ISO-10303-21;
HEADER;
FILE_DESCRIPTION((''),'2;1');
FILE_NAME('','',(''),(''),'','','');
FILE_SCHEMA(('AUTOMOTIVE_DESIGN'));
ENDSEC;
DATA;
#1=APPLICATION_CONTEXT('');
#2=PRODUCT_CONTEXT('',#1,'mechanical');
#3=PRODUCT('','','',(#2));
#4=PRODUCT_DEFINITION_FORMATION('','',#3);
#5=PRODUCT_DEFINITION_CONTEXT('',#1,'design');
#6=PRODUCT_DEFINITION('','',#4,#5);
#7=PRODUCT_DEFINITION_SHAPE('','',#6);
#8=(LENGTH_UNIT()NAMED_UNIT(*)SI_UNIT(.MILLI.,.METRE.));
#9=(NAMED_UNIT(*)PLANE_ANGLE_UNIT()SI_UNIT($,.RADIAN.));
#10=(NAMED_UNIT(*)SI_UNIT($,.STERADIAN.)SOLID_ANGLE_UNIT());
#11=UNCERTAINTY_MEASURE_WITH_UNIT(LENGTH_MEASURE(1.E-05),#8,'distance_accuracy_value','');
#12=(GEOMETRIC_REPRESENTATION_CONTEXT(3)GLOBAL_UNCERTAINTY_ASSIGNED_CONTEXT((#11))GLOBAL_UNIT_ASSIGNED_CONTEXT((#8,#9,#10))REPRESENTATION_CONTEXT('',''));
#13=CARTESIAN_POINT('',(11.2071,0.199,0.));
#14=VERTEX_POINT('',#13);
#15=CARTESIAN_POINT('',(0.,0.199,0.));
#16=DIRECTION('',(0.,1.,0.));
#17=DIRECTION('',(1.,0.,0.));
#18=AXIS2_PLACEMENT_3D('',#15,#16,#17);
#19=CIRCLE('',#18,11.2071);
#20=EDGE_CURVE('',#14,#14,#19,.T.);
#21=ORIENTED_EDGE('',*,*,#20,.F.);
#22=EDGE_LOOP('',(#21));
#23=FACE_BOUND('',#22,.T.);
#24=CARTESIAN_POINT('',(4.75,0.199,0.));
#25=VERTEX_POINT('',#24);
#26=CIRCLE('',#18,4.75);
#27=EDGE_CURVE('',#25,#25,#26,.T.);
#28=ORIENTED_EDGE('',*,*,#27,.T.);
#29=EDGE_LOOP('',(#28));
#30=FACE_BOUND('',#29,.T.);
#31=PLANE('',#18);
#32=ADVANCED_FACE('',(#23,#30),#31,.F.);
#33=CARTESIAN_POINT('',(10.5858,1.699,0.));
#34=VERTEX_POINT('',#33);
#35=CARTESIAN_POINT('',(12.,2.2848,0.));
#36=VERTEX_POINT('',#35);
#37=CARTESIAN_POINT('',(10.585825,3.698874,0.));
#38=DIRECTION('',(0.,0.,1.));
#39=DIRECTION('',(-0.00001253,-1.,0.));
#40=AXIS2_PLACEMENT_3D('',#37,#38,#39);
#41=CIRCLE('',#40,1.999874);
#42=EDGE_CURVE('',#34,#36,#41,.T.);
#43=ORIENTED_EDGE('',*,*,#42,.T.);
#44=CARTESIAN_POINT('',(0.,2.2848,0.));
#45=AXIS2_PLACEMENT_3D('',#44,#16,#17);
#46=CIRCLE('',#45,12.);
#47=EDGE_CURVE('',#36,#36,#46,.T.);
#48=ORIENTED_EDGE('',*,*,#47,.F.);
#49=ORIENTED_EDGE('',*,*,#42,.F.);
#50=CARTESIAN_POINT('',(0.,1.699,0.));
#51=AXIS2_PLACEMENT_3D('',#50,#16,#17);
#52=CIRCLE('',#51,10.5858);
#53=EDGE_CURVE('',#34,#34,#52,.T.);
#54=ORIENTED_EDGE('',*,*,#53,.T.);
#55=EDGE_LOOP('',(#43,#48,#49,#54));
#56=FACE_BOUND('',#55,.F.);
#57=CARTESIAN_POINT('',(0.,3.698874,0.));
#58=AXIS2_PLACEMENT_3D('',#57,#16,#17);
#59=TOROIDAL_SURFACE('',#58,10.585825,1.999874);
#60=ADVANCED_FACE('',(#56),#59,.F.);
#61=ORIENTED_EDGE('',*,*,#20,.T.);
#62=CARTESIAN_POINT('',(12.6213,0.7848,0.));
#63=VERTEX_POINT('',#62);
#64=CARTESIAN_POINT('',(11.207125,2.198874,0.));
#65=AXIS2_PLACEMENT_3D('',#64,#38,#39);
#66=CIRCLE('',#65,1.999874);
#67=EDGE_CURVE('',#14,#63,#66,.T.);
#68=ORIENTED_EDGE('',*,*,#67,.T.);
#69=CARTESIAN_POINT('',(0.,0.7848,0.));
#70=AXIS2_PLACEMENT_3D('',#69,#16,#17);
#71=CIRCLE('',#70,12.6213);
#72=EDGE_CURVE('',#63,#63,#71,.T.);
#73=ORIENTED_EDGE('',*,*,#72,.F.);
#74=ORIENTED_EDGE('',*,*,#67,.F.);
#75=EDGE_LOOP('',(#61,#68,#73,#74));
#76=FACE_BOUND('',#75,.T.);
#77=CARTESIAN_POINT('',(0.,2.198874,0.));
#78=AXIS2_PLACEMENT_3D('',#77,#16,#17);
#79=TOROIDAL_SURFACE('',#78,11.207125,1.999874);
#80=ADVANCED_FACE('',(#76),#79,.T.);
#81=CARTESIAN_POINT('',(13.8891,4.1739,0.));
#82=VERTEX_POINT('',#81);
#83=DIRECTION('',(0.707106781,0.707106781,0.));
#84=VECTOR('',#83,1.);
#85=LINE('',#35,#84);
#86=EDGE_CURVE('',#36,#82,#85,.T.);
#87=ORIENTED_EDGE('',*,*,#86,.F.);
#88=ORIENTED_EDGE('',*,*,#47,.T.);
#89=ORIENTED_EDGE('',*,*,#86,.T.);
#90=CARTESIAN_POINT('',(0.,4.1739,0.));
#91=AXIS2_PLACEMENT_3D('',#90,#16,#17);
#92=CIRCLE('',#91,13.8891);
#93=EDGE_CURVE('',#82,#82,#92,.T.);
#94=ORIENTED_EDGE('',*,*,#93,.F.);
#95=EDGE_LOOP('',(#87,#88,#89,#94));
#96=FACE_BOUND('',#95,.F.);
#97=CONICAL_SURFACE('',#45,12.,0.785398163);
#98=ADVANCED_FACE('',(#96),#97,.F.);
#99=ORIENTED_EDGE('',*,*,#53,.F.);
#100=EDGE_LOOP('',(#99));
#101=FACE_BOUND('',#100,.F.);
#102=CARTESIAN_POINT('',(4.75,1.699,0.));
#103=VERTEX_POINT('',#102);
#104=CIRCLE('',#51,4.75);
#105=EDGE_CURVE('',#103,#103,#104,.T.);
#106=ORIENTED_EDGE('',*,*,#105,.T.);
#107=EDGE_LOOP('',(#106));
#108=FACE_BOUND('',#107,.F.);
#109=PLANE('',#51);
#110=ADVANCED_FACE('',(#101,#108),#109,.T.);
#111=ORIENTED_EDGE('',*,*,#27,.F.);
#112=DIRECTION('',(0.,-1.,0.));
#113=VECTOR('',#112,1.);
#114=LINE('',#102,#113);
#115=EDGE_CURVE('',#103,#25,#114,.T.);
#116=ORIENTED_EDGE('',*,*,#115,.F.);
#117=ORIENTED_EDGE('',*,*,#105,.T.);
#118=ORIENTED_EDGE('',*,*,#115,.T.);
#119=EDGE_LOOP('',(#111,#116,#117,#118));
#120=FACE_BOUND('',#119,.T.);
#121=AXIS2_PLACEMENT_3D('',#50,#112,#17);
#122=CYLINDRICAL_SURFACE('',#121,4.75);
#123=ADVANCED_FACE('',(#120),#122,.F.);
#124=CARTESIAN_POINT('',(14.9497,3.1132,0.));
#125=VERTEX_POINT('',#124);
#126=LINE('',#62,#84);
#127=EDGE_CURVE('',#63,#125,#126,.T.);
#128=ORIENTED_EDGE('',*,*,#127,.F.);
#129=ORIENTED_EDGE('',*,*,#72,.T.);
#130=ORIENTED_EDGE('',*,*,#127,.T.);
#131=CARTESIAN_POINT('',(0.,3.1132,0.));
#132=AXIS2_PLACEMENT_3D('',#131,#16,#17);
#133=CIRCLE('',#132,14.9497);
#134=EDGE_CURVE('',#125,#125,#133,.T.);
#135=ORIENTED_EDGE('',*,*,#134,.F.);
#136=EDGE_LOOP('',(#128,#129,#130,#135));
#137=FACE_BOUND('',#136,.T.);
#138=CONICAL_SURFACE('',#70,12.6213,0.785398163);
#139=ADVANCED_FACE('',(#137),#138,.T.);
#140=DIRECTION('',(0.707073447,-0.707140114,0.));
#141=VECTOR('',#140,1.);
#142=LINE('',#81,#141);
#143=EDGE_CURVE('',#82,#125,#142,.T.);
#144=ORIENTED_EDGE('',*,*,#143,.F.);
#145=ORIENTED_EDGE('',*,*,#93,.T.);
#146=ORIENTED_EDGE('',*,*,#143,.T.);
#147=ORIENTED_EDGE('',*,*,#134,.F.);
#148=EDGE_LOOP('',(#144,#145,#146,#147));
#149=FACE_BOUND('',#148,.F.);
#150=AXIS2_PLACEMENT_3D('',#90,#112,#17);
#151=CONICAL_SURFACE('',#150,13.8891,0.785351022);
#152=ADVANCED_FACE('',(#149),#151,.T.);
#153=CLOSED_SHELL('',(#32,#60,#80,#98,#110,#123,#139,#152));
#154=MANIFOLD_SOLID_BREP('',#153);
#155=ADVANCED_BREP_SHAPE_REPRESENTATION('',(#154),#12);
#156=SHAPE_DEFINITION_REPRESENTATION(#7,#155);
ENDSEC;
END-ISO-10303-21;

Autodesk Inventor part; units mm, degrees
ref_plane "YZ Plane" through (0, 0, 0) normal (1, 0, 0) x (0, 1, 0)
ref_plane "XZ Plane" through (0, 0, 0) normal (0, 1, 0) x (-1, 0, 0)
ref_plane "XY Plane" through (0, 0, 0) normal (0, 0, 1) x (1, 0, 0)
sketch "Schizzo1" plane through (0, 0, 0) normal (0, 0, 1) x (1, 0, 0)
  line L0 (4.75, 1.699) -> (10.5858, 1.699)
  line L1 (4.75, 0.199) -> (11.2071, 0.199)
  line L2 (12, 2.2848) -> (13.8891, 4.1739)
  line L3 (12.6213, 0.7848) -> (14.9497, 3.1132)
  line L4 (13.8891, 4.1739) -> (14.9497, 3.1132)
  arc A0 (11.2071, 0.199) -> (12.6213, 0.7848) centre (11.2071, 2.199) ccw
  arc A1 (10.5858, 1.699) -> (12, 2.2848) centre (10.5858, 3.699) ccw
  line L5 (4.75, 1.699) -> (4.75, 0.199)
  line L6 (0, -0.8348) -> (0, 5.0087) projected
  point P0 (0, 0)
  point P1 (11.4142, 1.699)
  dimension "d1" = 1.5
  dimension "d2" = 135
  dimension "d3" = 3.5
  dimension "d4" = 1.5
  dimension "d5" = 2
revolve "Rivoluzione1" add sketch "Schizzo1" angle 360 about axis through (0, -10, 0) along (0, 1, 0)
properties part number "Rondella inferiore"
